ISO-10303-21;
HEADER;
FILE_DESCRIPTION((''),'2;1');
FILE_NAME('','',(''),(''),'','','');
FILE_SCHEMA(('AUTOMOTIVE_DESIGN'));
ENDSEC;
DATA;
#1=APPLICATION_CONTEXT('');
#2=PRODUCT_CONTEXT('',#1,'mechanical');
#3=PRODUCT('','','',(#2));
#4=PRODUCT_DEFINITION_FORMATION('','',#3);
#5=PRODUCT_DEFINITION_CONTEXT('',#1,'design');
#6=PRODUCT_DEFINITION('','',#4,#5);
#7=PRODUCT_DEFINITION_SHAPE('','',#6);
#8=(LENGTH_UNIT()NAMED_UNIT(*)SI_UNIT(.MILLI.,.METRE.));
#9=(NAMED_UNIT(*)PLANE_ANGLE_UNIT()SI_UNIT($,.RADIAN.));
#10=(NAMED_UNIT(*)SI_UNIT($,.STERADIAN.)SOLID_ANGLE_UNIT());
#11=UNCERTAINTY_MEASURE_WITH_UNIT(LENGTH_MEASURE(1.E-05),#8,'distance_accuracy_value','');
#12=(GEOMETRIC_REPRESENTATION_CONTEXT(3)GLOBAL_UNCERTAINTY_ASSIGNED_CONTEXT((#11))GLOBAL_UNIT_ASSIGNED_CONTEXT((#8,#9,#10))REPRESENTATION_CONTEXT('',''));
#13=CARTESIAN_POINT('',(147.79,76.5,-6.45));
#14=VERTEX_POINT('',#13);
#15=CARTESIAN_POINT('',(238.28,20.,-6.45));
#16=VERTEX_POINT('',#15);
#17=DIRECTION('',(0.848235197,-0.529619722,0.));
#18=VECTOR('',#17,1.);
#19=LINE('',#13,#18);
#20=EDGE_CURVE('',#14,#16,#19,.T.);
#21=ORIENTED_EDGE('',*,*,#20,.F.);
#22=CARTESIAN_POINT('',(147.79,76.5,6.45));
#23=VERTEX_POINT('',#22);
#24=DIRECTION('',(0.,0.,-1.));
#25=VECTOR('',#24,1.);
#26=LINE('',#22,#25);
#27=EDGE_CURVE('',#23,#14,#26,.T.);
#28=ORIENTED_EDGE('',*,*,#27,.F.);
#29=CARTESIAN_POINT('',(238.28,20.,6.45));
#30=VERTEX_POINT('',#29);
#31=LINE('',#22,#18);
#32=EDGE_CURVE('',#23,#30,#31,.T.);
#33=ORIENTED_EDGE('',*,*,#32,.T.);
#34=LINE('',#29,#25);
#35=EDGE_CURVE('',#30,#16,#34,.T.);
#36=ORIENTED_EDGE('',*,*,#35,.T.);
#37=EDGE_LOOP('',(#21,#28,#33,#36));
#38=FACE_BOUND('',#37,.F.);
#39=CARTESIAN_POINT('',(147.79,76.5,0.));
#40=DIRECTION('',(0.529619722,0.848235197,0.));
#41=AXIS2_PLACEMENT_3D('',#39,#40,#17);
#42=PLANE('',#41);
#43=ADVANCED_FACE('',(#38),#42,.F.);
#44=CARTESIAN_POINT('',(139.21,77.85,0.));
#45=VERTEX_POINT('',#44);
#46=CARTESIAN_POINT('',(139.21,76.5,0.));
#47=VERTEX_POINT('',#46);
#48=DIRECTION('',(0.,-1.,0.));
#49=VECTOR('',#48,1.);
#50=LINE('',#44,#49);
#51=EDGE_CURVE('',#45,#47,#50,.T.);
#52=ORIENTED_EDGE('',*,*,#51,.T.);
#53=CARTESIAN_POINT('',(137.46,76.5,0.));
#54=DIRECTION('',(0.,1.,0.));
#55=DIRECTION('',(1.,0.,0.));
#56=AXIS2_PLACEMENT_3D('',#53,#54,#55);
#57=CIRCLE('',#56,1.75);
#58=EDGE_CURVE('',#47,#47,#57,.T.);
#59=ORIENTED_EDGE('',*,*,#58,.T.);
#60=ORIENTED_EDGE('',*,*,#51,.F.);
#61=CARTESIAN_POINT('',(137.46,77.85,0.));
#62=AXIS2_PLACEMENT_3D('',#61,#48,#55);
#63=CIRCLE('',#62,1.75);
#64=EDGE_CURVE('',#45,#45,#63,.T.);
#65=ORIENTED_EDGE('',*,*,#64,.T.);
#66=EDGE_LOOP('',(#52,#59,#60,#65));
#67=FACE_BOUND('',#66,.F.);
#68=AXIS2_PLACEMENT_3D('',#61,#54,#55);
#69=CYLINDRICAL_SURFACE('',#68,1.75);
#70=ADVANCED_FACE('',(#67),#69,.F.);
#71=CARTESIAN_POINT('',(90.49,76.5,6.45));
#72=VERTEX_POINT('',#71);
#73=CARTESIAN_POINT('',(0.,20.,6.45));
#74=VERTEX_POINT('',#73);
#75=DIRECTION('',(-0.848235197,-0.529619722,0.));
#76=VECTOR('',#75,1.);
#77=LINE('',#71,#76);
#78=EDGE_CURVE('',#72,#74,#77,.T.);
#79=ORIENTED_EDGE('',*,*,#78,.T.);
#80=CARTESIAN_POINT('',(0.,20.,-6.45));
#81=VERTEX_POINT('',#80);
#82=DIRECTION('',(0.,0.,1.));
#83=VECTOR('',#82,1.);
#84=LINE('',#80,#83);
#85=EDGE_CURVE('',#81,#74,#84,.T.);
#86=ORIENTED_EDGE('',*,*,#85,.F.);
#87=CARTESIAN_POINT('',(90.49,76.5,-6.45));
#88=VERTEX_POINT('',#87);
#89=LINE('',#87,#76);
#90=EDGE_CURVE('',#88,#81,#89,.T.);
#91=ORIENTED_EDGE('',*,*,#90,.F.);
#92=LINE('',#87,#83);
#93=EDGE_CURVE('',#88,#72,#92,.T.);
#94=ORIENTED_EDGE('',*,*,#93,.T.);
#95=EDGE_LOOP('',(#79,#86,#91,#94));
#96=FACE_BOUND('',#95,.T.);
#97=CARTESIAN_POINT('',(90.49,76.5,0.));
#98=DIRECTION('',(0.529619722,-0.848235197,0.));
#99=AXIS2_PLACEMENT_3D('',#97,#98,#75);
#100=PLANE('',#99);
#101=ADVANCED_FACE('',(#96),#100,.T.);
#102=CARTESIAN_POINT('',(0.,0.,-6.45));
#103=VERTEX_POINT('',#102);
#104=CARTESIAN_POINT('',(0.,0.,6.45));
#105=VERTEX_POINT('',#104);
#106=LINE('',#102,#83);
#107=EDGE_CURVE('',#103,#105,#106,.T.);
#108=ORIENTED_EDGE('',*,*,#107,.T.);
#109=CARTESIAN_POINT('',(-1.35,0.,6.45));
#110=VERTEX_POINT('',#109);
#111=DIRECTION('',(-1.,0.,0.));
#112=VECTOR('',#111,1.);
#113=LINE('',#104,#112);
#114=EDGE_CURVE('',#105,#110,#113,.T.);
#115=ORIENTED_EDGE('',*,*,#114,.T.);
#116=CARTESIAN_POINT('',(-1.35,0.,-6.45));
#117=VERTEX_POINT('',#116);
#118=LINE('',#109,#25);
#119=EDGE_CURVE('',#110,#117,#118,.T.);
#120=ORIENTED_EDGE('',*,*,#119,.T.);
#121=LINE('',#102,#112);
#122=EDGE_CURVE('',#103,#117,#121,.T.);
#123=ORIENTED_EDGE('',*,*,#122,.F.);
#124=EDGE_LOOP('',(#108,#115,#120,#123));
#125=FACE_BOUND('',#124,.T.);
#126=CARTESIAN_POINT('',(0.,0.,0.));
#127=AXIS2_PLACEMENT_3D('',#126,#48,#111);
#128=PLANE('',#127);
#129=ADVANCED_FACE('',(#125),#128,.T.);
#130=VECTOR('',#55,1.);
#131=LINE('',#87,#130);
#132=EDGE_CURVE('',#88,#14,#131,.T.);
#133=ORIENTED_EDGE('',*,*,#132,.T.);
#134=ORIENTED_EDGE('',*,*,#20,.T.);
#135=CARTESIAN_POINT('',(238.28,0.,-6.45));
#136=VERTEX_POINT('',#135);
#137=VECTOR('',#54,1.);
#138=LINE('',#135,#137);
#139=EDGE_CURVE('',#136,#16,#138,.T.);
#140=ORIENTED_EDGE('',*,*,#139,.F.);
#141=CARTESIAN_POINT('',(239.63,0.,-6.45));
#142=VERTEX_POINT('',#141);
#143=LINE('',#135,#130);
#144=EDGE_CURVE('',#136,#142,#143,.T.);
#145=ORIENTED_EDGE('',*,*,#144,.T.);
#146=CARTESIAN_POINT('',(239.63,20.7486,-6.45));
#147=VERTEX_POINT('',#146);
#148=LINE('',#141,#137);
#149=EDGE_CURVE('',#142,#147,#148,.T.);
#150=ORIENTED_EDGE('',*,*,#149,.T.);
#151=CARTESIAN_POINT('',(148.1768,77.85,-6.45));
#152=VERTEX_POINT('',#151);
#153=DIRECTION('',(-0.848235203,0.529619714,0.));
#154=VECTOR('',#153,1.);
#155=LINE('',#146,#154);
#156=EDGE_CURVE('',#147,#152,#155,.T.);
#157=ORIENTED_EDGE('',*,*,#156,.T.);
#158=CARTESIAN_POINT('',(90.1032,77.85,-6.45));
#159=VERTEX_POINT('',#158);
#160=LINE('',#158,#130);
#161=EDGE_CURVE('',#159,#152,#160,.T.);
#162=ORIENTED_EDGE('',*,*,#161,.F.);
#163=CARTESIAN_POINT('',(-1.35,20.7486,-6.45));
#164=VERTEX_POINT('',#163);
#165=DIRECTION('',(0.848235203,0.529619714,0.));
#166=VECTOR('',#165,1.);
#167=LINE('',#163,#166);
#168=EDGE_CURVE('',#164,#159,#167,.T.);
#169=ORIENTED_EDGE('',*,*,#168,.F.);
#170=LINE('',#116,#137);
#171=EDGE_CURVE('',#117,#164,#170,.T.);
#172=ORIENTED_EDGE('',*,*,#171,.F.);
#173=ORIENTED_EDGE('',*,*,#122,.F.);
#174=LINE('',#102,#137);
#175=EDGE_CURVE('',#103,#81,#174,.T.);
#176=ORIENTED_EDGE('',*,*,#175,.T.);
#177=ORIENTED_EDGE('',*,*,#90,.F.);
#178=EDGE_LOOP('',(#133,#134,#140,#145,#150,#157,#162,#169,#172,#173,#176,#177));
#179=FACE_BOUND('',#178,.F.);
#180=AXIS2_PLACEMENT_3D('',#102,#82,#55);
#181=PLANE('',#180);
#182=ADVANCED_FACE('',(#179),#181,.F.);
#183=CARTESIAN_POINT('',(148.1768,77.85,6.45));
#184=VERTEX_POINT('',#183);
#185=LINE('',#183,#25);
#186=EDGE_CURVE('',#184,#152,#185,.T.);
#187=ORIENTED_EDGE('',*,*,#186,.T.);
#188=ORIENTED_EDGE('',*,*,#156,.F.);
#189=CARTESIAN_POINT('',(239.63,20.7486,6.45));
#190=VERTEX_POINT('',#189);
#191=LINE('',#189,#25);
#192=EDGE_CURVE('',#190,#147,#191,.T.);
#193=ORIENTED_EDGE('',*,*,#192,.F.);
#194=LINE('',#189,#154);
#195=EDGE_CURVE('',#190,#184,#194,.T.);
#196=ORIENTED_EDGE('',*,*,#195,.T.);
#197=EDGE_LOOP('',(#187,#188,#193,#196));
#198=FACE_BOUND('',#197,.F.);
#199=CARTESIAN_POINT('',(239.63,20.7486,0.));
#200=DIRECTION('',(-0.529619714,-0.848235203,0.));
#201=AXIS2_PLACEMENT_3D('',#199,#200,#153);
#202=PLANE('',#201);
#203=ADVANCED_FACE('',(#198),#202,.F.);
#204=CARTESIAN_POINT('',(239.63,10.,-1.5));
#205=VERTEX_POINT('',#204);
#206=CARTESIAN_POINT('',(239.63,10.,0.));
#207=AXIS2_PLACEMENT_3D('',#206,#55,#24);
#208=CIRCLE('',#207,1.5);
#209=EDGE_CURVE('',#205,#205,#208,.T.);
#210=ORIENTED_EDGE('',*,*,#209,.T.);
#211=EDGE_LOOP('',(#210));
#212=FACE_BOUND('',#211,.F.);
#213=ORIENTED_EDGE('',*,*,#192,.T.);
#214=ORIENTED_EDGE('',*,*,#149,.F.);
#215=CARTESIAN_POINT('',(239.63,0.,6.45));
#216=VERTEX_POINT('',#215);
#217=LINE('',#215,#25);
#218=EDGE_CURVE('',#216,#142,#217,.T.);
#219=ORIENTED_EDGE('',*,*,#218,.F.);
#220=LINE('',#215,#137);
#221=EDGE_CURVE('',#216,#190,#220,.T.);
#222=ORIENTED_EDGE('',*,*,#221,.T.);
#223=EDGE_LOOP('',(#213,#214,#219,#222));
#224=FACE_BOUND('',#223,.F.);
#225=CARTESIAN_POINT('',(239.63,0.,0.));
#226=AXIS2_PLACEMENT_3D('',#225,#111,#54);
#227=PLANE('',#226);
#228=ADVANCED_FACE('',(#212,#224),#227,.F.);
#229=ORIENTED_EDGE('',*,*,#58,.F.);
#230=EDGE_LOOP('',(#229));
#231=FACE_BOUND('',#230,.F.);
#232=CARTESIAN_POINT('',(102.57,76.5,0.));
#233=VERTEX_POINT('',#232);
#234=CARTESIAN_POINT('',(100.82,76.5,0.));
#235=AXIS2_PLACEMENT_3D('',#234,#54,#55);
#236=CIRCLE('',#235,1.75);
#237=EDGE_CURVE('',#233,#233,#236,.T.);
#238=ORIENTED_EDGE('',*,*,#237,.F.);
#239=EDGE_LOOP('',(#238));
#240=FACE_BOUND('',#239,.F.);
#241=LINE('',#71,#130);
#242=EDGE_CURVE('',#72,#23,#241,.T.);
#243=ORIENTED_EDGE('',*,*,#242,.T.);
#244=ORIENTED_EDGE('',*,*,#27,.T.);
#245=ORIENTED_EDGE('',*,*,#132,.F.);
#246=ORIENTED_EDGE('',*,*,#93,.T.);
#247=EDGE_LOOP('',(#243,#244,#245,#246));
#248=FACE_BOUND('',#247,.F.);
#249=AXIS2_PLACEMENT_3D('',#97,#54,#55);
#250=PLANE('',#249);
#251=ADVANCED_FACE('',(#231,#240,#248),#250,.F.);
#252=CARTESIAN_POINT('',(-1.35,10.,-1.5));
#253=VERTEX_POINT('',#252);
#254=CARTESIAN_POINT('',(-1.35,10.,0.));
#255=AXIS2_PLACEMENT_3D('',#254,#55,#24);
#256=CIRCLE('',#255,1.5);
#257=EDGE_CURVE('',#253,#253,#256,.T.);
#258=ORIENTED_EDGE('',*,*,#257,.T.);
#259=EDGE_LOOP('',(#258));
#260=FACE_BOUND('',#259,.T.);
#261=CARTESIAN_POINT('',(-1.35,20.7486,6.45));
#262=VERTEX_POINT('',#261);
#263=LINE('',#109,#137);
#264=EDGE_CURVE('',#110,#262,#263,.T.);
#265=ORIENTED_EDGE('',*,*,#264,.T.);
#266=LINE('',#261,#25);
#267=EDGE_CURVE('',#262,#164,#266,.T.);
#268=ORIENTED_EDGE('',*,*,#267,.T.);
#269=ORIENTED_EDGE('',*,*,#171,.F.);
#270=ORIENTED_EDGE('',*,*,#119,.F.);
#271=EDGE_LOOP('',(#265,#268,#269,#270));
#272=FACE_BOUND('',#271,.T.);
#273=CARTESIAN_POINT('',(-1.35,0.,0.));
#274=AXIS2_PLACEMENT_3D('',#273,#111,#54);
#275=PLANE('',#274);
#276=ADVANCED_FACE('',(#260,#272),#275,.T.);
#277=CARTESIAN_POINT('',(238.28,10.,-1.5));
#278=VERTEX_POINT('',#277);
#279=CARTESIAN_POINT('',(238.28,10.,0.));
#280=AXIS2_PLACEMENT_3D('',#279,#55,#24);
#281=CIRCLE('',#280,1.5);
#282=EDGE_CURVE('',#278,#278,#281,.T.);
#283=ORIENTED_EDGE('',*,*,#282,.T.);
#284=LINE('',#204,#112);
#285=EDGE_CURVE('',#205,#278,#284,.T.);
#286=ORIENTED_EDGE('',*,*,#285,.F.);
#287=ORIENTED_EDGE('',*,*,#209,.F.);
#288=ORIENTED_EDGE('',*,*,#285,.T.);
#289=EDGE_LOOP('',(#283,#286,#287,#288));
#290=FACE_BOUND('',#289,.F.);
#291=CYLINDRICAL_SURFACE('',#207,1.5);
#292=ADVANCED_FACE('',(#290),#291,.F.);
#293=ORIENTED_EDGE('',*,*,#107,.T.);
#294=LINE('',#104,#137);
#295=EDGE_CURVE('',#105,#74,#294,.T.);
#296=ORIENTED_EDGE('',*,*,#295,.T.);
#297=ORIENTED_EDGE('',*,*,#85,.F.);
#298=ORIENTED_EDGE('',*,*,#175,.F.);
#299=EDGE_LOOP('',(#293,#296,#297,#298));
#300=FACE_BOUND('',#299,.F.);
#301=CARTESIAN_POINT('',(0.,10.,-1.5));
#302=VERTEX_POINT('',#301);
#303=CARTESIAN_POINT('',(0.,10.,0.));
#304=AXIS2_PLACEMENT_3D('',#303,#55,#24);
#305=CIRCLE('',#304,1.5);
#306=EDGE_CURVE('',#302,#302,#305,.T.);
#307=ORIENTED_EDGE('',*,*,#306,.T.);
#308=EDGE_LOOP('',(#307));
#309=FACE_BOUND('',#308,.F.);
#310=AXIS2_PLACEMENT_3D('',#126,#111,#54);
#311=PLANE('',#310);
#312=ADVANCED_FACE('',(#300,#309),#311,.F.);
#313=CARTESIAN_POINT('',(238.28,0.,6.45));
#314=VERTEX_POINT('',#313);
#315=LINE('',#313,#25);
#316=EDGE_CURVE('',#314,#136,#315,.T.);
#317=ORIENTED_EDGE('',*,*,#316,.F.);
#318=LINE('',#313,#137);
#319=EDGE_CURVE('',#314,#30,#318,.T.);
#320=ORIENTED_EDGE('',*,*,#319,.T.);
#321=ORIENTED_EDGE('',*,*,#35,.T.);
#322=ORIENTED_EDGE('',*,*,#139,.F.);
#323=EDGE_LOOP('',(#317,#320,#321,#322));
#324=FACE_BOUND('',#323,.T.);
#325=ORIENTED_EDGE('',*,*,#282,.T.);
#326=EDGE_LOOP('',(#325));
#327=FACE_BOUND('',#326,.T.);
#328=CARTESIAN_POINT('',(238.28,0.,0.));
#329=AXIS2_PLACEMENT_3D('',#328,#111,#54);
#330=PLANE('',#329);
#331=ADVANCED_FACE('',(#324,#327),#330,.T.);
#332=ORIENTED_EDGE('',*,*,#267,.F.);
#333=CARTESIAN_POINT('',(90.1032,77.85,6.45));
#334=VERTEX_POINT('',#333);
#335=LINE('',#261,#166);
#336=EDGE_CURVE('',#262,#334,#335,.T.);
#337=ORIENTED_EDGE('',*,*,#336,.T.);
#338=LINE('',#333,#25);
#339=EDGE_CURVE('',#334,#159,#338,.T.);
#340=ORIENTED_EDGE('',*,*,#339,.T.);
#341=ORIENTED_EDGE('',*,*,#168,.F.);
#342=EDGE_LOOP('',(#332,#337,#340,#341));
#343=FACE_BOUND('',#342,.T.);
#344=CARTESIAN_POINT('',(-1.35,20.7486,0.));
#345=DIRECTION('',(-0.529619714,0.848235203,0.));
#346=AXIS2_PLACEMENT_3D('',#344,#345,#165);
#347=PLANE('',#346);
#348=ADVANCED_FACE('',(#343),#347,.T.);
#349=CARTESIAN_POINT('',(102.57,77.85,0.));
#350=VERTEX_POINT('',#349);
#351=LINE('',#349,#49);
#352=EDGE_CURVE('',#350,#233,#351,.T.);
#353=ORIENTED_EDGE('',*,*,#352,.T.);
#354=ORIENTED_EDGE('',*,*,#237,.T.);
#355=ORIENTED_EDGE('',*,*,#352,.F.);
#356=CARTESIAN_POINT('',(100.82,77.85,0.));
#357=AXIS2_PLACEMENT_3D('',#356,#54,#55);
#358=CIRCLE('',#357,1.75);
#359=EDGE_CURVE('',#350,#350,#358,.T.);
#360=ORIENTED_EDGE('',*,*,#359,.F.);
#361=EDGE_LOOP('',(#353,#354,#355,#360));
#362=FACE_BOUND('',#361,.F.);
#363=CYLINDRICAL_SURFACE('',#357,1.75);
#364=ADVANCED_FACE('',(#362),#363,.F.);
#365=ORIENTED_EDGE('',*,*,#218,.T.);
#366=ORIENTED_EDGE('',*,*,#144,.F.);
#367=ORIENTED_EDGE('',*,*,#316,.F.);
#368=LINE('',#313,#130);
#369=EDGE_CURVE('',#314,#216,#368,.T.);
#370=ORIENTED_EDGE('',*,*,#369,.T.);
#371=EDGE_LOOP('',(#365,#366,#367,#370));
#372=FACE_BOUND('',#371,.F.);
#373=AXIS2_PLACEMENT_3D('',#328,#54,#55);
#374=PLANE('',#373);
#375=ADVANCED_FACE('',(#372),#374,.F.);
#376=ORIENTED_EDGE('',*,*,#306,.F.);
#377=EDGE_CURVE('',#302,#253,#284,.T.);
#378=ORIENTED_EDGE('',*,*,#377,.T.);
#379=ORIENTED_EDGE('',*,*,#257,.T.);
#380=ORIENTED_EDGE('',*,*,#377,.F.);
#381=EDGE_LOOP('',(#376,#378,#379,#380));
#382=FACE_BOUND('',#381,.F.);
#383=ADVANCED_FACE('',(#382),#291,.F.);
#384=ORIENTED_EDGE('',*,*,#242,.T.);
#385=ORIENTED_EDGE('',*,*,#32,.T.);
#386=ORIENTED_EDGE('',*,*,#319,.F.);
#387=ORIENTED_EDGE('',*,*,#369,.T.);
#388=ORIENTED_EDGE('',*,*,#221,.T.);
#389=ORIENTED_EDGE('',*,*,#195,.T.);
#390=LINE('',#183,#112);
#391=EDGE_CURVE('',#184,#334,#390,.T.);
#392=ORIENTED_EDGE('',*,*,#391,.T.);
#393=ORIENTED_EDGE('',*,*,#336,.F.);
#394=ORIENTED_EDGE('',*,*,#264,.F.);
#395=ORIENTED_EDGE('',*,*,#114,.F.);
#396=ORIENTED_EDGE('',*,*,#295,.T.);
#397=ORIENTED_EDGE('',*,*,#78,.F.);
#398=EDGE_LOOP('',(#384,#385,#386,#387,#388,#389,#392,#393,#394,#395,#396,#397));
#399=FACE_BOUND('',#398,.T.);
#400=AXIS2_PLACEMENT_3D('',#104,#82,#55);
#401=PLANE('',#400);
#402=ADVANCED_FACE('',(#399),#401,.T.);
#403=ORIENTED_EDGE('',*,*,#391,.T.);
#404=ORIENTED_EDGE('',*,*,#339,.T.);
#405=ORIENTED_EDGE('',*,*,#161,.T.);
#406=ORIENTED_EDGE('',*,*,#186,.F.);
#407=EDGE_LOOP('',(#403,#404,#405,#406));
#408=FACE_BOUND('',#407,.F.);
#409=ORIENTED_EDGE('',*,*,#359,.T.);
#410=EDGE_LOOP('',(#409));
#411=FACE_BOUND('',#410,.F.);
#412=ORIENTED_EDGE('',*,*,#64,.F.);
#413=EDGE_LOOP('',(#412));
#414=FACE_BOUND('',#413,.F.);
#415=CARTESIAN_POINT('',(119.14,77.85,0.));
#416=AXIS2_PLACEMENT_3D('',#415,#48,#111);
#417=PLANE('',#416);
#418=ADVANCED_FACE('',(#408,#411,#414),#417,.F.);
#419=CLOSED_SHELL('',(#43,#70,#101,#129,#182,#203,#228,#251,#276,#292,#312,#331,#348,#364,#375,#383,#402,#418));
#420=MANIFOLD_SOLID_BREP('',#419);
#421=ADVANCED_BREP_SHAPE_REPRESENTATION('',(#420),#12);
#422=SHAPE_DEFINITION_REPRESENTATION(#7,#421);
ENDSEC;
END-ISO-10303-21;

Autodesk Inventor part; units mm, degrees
ref_plane "YZ Plane" through (0, 0, 0) normal (1, 0, 0) x (0, 1, 0)
ref_plane "XZ Plane" through (0, 0, 0) normal (0, 1, 0) x (-1, 0, 0)
ref_plane "XY Plane" through (0, 0, 0) normal (0, 0, 1) x (1, 0, 0)
sketch "Sketch1" plane through (0, 0, 0) normal (0, 0, 1) x (1, 0, 0)
  line L0 (0, 0) -> (-1.35, 0)
  line L1 (0, 0) -> (0, 20)
  line L2 (0, 20) -> (90.49, 20) construction
  line L3 (90.49, 20) -> (90.49, 76.5) construction
  line L4 (90.49, 76.5) -> (0, 20)
  line L5 (90.49, 76.5) -> (147.79, 76.5)
  line L6 (119.14, 76.5) -> (119.14, 94.3884) construction
  line L7 (-1.35, 0) -> (-1.35, 20.7486)
  line L8 (-1.35, 20.7486) -> (90.1032, 77.85)
  line L9 (119.14, 77.85) -> (90.1032, 77.85)
  line L10 (238.28, 0) -> (239.63, 0)
  line L11 (238.28, 0) -> (238.28, 20)
  line L12 (147.79, 76.5) -> (238.28, 20)
  line L13 (147.79, 76.5) -> (90.49, 76.5)
  line L14 (239.63, 0) -> (239.63, 20.7486)
  line L15 (239.63, 20.7486) -> (148.1768, 77.85)
  line L16 (119.14, 77.85) -> (148.1768, 77.85)
  dimension "d0" = 1.35
  dimension "d1" = 20
  dimension "d2" = 90.49
  dimension "d3" = 56.5
  dimension "d4" = 57.3
  dimension "d5" = 1.35
  dimension "d6" = 1.35
extrude "Extrusion1" add sketch "Sketch1" along normal mid plane 12.9
sketch "Sketch2" plane through (90.1032, 77.85, 6.45) normal (0, 1, 0) x (1, 0, 0)
  circle A0 centre (10.7168, 6.45) radius 1.75
  line L0 (10.7168, 6.45) -> (47.3568, 6.45)
  circle A1 centre (47.3568, 6.45) radius 1.75
  line L1 (0, 12.9) -> (58.0737, 12.9) projected
  point P0 (-90.1032, 6.45)
  point P1 (29.0368, 12.9)
  point P2 (29.0368, 6.45)
  dimension "d9" = 3.5
  dimension "d10" = 36.64
  dimension "d11" = 3.5
  dimension "d12" = 0
extrude "Extrusion2" cut sketch "Sketch2" against normal blind 12.9
sketch "Sketch4" plane through (239.63, 0, 6.45) normal (1, 0, 0) x (0, 0, -1)
  circle A0 centre (6.45, 10) radius 1.5
  point P0 (6.45, 0)
  dimension "d15" = 3
extrude "Extrusion3" cut sketch "Sketch4" against normal through all
properties part number "A-MainGear"
